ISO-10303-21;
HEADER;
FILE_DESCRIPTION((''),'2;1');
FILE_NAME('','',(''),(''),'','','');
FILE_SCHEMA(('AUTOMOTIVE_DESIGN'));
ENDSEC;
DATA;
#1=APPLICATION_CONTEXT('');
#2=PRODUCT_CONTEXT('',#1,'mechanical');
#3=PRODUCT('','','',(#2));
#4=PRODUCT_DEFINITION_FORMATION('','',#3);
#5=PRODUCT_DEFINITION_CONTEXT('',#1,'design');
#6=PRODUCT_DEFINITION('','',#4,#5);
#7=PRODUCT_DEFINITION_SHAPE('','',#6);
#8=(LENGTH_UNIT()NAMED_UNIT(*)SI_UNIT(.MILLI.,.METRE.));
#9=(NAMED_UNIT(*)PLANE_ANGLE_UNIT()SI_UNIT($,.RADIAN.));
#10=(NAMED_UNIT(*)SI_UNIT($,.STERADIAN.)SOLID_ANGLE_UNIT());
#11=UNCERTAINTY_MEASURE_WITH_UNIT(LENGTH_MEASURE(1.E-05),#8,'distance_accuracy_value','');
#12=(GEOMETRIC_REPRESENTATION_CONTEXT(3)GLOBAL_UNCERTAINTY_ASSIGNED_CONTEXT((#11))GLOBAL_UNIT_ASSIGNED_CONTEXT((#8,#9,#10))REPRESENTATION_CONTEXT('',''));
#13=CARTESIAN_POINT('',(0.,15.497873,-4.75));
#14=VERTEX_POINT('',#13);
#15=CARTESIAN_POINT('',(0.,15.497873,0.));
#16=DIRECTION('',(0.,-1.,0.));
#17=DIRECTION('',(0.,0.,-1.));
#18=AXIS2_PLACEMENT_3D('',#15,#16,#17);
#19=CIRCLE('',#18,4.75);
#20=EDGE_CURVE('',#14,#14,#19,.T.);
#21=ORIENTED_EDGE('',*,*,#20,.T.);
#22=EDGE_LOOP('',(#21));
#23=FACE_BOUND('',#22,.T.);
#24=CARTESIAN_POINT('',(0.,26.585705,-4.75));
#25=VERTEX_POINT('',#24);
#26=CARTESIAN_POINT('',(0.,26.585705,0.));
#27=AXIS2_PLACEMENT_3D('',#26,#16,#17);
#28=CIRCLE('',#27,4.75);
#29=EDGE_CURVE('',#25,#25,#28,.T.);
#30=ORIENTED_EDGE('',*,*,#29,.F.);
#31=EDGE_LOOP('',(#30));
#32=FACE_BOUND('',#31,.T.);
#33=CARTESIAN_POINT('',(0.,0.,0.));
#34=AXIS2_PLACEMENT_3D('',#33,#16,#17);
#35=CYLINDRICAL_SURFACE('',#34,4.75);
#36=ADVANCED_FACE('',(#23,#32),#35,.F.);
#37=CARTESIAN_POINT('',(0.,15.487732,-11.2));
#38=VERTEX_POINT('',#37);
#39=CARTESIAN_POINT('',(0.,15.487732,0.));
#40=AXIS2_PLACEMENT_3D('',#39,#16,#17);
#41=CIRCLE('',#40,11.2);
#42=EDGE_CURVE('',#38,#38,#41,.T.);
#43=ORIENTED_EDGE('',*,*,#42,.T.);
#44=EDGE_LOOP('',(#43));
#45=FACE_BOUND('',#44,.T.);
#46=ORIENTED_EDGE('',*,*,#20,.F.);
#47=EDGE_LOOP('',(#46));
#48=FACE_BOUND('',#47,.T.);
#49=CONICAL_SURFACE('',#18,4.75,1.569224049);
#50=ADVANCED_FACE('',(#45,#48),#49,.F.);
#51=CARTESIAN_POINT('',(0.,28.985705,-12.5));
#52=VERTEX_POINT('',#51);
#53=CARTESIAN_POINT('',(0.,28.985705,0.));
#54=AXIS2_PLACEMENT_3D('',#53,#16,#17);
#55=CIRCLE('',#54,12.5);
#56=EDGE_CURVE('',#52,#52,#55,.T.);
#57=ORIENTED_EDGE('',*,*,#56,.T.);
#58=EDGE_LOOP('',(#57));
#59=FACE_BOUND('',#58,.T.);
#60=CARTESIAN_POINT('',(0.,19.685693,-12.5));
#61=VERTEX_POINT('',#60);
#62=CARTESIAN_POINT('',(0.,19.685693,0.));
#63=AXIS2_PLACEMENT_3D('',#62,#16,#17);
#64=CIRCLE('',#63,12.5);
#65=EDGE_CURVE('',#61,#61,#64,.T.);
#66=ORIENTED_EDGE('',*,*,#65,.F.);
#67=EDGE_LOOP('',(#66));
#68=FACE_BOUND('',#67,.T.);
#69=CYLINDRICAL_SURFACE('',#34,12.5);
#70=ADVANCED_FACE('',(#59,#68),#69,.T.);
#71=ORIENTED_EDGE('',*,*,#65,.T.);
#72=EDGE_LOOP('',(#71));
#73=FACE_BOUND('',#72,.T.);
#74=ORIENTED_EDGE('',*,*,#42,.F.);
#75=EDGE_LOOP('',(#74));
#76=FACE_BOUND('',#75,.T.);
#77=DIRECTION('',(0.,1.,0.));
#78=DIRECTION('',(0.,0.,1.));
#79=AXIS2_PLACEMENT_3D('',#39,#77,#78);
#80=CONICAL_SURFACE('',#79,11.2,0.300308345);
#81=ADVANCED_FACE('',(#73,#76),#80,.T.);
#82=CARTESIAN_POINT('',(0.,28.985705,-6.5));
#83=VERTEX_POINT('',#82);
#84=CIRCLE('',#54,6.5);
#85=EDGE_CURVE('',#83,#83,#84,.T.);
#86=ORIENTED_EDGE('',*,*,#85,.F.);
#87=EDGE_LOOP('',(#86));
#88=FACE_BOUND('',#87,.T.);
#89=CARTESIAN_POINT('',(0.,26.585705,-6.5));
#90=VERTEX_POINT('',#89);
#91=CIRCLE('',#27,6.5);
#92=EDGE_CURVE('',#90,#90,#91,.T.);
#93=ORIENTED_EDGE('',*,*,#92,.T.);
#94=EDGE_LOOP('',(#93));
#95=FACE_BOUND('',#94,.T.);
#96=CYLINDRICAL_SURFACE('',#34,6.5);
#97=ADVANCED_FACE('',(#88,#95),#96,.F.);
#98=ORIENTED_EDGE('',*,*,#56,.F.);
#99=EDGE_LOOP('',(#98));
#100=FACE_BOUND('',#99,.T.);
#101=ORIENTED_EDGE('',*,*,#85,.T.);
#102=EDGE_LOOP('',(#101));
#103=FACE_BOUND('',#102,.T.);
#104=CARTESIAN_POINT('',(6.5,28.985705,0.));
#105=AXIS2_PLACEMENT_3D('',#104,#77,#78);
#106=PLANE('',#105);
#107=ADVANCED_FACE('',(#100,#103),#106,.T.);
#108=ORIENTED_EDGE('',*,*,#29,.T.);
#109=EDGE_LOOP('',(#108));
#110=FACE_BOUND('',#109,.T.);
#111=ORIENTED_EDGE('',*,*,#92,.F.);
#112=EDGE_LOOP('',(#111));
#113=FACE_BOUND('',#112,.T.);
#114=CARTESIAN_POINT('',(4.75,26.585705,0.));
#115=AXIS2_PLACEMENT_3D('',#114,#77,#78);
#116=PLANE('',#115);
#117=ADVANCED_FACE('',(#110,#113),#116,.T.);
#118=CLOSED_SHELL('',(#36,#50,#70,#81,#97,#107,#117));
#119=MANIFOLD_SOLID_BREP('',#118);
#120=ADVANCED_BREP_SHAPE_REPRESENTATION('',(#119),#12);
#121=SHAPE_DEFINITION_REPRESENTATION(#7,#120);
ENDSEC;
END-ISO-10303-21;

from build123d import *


with BuildPart() as part:
    # Sketch1 → Revolve1 (revolve)
    with BuildSketch(Plane.XY, mode=Mode.PRIVATE) as revolve1_sk:
        Polygon((4.75, 15.497873158), (4.75, 26.585704679), (6.5, 26.585704679), (6.5, 28.985704679), (12.5, 28.985704679), (12.5, 19.685693184), (11.2, 15.487731956), align=None)
    revolve(revolve1_sk.sketch.rotate(Axis((0, 0, 0), (0, 1, 0)), 90), axis=Axis((0, 0, 0), (0, 1, 0)))


solid = part.part
